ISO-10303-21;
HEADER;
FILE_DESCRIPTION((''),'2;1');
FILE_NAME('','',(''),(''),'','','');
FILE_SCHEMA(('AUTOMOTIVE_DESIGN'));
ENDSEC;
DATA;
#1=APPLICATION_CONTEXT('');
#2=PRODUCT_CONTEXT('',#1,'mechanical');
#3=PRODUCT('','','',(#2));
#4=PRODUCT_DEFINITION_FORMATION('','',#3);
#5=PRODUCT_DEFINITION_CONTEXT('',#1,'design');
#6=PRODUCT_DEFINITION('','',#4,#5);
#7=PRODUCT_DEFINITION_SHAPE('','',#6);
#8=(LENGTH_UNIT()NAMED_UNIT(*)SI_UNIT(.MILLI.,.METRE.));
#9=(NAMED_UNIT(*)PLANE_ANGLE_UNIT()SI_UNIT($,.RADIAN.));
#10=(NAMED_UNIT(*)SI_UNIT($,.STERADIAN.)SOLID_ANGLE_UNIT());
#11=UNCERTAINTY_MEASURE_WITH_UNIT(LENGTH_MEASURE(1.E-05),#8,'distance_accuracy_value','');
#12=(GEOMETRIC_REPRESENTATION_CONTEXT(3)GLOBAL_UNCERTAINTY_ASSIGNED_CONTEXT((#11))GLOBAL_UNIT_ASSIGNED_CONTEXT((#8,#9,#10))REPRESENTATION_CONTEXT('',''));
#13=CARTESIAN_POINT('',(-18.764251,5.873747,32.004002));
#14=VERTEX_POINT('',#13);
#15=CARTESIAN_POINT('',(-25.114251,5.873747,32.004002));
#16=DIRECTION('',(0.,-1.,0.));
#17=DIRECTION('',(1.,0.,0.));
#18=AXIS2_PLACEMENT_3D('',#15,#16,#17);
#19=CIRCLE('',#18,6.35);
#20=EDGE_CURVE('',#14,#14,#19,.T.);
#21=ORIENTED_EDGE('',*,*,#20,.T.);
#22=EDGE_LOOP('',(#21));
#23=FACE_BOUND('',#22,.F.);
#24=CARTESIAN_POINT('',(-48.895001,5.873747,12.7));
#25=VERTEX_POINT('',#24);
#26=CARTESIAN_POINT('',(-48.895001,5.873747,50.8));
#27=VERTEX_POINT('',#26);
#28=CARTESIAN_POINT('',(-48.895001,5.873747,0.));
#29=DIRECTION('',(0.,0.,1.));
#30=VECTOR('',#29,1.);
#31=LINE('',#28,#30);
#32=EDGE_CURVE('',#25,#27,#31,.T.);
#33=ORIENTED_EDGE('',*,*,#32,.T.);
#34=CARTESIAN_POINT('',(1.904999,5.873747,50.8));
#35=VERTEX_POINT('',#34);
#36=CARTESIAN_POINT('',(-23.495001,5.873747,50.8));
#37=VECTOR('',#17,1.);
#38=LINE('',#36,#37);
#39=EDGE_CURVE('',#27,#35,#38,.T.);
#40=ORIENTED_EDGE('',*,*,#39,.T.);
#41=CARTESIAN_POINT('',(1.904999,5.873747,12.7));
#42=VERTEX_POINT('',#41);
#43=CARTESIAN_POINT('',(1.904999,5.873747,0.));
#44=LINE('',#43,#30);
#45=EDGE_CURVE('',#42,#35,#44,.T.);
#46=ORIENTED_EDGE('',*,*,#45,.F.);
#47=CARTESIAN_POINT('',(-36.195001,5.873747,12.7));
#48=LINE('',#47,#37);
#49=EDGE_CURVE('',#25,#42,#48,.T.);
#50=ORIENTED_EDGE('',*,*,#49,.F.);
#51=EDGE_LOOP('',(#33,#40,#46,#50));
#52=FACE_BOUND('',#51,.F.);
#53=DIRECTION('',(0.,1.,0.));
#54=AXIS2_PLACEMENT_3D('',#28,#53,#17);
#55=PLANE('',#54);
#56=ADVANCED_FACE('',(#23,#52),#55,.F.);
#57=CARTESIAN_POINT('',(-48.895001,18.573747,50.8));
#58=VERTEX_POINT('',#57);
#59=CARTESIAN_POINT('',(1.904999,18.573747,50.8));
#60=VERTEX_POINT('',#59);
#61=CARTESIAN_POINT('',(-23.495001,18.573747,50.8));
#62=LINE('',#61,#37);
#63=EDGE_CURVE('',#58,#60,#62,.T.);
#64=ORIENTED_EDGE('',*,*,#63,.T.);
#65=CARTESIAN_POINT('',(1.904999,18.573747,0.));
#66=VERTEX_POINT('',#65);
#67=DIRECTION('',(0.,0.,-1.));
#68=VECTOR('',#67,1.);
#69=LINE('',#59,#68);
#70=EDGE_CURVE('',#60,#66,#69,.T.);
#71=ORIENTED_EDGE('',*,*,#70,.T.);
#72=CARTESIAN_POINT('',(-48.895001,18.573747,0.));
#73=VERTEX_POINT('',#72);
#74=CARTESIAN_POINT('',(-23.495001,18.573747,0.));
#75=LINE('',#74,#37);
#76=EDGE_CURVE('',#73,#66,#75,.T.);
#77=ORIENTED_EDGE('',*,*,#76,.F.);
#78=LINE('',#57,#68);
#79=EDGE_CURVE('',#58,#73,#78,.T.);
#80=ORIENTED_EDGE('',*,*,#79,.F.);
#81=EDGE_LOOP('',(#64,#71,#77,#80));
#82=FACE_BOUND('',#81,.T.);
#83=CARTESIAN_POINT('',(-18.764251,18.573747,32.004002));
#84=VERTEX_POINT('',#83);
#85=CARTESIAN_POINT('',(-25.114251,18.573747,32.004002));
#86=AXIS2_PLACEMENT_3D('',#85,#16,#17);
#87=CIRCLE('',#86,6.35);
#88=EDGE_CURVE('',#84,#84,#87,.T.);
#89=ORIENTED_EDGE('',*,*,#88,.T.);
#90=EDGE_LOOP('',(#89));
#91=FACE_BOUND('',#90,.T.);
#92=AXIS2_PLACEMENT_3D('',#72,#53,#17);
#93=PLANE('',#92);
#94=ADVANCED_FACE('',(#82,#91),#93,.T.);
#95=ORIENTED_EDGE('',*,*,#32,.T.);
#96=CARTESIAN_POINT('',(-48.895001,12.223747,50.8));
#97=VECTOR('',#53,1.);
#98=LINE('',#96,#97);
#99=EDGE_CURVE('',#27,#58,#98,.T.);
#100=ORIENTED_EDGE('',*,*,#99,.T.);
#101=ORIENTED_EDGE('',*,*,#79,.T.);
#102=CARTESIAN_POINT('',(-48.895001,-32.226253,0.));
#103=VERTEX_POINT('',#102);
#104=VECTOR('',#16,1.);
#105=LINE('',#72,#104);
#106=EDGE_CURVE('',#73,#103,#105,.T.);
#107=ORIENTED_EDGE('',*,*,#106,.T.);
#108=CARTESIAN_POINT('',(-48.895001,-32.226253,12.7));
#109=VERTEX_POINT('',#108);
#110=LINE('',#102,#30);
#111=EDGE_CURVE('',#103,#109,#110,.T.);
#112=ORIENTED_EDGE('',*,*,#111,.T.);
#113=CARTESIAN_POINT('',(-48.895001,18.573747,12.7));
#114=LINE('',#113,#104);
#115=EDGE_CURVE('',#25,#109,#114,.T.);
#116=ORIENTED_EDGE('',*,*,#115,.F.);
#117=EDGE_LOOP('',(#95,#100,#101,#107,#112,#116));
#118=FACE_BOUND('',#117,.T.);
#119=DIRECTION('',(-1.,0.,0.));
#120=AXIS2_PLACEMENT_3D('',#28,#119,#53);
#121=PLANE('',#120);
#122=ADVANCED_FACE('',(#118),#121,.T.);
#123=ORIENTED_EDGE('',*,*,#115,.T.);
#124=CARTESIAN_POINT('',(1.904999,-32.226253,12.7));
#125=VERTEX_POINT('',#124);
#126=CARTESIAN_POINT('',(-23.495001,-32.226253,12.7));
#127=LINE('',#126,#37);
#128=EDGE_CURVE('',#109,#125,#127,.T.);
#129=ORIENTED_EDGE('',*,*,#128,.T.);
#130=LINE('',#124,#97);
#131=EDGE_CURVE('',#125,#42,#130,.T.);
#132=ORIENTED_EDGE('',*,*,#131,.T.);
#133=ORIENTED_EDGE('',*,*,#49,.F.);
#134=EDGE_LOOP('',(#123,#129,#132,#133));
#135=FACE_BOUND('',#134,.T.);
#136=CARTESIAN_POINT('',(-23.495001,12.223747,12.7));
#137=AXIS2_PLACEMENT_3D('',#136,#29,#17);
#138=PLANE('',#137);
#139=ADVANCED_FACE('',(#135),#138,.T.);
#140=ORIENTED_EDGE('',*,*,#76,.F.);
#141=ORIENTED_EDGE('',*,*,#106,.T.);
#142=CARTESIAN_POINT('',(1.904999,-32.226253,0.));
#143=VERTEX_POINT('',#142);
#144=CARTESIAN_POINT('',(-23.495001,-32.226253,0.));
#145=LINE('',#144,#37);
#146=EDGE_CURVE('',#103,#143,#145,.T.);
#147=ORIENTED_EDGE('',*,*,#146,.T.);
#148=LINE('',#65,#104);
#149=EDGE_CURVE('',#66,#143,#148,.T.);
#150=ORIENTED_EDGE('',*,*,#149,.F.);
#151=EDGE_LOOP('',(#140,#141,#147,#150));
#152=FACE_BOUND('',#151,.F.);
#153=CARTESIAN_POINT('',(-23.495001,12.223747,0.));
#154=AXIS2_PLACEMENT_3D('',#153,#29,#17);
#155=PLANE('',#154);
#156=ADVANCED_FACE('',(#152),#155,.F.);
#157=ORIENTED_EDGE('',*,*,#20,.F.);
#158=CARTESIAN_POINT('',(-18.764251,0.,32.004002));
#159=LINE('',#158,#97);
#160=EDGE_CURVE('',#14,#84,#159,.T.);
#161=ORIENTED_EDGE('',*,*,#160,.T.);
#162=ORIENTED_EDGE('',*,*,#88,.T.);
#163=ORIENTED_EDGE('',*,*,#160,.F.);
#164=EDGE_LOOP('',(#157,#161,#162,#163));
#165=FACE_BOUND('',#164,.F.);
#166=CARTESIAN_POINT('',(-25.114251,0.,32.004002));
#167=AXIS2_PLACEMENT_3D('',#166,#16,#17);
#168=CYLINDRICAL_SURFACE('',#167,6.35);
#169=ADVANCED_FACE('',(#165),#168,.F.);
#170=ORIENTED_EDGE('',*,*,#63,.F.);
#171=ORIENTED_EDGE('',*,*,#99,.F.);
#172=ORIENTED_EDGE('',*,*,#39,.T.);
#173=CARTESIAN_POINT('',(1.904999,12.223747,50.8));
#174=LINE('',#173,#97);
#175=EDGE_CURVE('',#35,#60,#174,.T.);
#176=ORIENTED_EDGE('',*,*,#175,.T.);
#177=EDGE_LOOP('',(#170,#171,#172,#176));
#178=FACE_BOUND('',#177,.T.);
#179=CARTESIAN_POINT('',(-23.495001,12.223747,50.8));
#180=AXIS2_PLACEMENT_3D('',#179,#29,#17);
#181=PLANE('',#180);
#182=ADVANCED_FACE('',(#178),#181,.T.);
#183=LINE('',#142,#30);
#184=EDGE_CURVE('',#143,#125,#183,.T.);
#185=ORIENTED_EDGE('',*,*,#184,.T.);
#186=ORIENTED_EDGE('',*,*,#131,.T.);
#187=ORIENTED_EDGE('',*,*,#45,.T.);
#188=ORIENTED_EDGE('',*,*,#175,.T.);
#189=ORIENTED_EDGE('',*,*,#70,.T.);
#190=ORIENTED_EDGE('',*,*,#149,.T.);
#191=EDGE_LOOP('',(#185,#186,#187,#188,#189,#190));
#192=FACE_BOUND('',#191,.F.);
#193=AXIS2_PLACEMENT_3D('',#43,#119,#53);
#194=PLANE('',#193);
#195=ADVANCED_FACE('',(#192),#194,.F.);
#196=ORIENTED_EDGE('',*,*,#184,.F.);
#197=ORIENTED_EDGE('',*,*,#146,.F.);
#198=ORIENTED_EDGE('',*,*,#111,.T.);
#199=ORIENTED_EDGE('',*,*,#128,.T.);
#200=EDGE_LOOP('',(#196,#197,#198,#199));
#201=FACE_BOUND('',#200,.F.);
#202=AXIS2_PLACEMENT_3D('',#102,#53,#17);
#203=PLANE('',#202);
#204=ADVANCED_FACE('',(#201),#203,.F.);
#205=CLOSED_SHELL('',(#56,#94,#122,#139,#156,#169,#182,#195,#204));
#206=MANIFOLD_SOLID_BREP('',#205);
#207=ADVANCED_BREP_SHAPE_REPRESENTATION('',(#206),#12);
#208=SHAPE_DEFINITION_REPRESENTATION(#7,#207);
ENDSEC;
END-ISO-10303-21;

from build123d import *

# Parameters (mm, degrees)
F0_W     = 50.8
F0_H     = 12.7
F1_DEPTH = 50.8
F0_H_2   = 38.1
F2_DEPTH = 12.7
F3_R     = 6.35
F4_DEPTH = 18.574747


with BuildPart() as f1:
    # F0 (on Top) → F1 (new body)
    with BuildSketch(Plane.XY):
        with Locations((-23.495001, 12.223747)):
            Rectangle(F0_W, F0_H)
    extrude(amount=F1_DEPTH)

    # F0 (on Top) → F2 (join)
    with BuildSketch(Plane.XY):
        with Locations((-23.495001, 12.223747)):
            Rectangle(F0_W, F0_H)
        with Locations((-23.495001, -13.176253)):
            Rectangle(F0_W, F0_H_2)
    extrude(amount=F2_DEPTH)

    # F3 (on Front) → F4 (cut, through all)
    with BuildSketch(Plane.XZ):
        with Locations((-25.114251, 32.004002)):
            Circle(F3_R)
    extrude(amount=-F4_DEPTH, mode=Mode.SUBTRACT)


solid = f1.part
